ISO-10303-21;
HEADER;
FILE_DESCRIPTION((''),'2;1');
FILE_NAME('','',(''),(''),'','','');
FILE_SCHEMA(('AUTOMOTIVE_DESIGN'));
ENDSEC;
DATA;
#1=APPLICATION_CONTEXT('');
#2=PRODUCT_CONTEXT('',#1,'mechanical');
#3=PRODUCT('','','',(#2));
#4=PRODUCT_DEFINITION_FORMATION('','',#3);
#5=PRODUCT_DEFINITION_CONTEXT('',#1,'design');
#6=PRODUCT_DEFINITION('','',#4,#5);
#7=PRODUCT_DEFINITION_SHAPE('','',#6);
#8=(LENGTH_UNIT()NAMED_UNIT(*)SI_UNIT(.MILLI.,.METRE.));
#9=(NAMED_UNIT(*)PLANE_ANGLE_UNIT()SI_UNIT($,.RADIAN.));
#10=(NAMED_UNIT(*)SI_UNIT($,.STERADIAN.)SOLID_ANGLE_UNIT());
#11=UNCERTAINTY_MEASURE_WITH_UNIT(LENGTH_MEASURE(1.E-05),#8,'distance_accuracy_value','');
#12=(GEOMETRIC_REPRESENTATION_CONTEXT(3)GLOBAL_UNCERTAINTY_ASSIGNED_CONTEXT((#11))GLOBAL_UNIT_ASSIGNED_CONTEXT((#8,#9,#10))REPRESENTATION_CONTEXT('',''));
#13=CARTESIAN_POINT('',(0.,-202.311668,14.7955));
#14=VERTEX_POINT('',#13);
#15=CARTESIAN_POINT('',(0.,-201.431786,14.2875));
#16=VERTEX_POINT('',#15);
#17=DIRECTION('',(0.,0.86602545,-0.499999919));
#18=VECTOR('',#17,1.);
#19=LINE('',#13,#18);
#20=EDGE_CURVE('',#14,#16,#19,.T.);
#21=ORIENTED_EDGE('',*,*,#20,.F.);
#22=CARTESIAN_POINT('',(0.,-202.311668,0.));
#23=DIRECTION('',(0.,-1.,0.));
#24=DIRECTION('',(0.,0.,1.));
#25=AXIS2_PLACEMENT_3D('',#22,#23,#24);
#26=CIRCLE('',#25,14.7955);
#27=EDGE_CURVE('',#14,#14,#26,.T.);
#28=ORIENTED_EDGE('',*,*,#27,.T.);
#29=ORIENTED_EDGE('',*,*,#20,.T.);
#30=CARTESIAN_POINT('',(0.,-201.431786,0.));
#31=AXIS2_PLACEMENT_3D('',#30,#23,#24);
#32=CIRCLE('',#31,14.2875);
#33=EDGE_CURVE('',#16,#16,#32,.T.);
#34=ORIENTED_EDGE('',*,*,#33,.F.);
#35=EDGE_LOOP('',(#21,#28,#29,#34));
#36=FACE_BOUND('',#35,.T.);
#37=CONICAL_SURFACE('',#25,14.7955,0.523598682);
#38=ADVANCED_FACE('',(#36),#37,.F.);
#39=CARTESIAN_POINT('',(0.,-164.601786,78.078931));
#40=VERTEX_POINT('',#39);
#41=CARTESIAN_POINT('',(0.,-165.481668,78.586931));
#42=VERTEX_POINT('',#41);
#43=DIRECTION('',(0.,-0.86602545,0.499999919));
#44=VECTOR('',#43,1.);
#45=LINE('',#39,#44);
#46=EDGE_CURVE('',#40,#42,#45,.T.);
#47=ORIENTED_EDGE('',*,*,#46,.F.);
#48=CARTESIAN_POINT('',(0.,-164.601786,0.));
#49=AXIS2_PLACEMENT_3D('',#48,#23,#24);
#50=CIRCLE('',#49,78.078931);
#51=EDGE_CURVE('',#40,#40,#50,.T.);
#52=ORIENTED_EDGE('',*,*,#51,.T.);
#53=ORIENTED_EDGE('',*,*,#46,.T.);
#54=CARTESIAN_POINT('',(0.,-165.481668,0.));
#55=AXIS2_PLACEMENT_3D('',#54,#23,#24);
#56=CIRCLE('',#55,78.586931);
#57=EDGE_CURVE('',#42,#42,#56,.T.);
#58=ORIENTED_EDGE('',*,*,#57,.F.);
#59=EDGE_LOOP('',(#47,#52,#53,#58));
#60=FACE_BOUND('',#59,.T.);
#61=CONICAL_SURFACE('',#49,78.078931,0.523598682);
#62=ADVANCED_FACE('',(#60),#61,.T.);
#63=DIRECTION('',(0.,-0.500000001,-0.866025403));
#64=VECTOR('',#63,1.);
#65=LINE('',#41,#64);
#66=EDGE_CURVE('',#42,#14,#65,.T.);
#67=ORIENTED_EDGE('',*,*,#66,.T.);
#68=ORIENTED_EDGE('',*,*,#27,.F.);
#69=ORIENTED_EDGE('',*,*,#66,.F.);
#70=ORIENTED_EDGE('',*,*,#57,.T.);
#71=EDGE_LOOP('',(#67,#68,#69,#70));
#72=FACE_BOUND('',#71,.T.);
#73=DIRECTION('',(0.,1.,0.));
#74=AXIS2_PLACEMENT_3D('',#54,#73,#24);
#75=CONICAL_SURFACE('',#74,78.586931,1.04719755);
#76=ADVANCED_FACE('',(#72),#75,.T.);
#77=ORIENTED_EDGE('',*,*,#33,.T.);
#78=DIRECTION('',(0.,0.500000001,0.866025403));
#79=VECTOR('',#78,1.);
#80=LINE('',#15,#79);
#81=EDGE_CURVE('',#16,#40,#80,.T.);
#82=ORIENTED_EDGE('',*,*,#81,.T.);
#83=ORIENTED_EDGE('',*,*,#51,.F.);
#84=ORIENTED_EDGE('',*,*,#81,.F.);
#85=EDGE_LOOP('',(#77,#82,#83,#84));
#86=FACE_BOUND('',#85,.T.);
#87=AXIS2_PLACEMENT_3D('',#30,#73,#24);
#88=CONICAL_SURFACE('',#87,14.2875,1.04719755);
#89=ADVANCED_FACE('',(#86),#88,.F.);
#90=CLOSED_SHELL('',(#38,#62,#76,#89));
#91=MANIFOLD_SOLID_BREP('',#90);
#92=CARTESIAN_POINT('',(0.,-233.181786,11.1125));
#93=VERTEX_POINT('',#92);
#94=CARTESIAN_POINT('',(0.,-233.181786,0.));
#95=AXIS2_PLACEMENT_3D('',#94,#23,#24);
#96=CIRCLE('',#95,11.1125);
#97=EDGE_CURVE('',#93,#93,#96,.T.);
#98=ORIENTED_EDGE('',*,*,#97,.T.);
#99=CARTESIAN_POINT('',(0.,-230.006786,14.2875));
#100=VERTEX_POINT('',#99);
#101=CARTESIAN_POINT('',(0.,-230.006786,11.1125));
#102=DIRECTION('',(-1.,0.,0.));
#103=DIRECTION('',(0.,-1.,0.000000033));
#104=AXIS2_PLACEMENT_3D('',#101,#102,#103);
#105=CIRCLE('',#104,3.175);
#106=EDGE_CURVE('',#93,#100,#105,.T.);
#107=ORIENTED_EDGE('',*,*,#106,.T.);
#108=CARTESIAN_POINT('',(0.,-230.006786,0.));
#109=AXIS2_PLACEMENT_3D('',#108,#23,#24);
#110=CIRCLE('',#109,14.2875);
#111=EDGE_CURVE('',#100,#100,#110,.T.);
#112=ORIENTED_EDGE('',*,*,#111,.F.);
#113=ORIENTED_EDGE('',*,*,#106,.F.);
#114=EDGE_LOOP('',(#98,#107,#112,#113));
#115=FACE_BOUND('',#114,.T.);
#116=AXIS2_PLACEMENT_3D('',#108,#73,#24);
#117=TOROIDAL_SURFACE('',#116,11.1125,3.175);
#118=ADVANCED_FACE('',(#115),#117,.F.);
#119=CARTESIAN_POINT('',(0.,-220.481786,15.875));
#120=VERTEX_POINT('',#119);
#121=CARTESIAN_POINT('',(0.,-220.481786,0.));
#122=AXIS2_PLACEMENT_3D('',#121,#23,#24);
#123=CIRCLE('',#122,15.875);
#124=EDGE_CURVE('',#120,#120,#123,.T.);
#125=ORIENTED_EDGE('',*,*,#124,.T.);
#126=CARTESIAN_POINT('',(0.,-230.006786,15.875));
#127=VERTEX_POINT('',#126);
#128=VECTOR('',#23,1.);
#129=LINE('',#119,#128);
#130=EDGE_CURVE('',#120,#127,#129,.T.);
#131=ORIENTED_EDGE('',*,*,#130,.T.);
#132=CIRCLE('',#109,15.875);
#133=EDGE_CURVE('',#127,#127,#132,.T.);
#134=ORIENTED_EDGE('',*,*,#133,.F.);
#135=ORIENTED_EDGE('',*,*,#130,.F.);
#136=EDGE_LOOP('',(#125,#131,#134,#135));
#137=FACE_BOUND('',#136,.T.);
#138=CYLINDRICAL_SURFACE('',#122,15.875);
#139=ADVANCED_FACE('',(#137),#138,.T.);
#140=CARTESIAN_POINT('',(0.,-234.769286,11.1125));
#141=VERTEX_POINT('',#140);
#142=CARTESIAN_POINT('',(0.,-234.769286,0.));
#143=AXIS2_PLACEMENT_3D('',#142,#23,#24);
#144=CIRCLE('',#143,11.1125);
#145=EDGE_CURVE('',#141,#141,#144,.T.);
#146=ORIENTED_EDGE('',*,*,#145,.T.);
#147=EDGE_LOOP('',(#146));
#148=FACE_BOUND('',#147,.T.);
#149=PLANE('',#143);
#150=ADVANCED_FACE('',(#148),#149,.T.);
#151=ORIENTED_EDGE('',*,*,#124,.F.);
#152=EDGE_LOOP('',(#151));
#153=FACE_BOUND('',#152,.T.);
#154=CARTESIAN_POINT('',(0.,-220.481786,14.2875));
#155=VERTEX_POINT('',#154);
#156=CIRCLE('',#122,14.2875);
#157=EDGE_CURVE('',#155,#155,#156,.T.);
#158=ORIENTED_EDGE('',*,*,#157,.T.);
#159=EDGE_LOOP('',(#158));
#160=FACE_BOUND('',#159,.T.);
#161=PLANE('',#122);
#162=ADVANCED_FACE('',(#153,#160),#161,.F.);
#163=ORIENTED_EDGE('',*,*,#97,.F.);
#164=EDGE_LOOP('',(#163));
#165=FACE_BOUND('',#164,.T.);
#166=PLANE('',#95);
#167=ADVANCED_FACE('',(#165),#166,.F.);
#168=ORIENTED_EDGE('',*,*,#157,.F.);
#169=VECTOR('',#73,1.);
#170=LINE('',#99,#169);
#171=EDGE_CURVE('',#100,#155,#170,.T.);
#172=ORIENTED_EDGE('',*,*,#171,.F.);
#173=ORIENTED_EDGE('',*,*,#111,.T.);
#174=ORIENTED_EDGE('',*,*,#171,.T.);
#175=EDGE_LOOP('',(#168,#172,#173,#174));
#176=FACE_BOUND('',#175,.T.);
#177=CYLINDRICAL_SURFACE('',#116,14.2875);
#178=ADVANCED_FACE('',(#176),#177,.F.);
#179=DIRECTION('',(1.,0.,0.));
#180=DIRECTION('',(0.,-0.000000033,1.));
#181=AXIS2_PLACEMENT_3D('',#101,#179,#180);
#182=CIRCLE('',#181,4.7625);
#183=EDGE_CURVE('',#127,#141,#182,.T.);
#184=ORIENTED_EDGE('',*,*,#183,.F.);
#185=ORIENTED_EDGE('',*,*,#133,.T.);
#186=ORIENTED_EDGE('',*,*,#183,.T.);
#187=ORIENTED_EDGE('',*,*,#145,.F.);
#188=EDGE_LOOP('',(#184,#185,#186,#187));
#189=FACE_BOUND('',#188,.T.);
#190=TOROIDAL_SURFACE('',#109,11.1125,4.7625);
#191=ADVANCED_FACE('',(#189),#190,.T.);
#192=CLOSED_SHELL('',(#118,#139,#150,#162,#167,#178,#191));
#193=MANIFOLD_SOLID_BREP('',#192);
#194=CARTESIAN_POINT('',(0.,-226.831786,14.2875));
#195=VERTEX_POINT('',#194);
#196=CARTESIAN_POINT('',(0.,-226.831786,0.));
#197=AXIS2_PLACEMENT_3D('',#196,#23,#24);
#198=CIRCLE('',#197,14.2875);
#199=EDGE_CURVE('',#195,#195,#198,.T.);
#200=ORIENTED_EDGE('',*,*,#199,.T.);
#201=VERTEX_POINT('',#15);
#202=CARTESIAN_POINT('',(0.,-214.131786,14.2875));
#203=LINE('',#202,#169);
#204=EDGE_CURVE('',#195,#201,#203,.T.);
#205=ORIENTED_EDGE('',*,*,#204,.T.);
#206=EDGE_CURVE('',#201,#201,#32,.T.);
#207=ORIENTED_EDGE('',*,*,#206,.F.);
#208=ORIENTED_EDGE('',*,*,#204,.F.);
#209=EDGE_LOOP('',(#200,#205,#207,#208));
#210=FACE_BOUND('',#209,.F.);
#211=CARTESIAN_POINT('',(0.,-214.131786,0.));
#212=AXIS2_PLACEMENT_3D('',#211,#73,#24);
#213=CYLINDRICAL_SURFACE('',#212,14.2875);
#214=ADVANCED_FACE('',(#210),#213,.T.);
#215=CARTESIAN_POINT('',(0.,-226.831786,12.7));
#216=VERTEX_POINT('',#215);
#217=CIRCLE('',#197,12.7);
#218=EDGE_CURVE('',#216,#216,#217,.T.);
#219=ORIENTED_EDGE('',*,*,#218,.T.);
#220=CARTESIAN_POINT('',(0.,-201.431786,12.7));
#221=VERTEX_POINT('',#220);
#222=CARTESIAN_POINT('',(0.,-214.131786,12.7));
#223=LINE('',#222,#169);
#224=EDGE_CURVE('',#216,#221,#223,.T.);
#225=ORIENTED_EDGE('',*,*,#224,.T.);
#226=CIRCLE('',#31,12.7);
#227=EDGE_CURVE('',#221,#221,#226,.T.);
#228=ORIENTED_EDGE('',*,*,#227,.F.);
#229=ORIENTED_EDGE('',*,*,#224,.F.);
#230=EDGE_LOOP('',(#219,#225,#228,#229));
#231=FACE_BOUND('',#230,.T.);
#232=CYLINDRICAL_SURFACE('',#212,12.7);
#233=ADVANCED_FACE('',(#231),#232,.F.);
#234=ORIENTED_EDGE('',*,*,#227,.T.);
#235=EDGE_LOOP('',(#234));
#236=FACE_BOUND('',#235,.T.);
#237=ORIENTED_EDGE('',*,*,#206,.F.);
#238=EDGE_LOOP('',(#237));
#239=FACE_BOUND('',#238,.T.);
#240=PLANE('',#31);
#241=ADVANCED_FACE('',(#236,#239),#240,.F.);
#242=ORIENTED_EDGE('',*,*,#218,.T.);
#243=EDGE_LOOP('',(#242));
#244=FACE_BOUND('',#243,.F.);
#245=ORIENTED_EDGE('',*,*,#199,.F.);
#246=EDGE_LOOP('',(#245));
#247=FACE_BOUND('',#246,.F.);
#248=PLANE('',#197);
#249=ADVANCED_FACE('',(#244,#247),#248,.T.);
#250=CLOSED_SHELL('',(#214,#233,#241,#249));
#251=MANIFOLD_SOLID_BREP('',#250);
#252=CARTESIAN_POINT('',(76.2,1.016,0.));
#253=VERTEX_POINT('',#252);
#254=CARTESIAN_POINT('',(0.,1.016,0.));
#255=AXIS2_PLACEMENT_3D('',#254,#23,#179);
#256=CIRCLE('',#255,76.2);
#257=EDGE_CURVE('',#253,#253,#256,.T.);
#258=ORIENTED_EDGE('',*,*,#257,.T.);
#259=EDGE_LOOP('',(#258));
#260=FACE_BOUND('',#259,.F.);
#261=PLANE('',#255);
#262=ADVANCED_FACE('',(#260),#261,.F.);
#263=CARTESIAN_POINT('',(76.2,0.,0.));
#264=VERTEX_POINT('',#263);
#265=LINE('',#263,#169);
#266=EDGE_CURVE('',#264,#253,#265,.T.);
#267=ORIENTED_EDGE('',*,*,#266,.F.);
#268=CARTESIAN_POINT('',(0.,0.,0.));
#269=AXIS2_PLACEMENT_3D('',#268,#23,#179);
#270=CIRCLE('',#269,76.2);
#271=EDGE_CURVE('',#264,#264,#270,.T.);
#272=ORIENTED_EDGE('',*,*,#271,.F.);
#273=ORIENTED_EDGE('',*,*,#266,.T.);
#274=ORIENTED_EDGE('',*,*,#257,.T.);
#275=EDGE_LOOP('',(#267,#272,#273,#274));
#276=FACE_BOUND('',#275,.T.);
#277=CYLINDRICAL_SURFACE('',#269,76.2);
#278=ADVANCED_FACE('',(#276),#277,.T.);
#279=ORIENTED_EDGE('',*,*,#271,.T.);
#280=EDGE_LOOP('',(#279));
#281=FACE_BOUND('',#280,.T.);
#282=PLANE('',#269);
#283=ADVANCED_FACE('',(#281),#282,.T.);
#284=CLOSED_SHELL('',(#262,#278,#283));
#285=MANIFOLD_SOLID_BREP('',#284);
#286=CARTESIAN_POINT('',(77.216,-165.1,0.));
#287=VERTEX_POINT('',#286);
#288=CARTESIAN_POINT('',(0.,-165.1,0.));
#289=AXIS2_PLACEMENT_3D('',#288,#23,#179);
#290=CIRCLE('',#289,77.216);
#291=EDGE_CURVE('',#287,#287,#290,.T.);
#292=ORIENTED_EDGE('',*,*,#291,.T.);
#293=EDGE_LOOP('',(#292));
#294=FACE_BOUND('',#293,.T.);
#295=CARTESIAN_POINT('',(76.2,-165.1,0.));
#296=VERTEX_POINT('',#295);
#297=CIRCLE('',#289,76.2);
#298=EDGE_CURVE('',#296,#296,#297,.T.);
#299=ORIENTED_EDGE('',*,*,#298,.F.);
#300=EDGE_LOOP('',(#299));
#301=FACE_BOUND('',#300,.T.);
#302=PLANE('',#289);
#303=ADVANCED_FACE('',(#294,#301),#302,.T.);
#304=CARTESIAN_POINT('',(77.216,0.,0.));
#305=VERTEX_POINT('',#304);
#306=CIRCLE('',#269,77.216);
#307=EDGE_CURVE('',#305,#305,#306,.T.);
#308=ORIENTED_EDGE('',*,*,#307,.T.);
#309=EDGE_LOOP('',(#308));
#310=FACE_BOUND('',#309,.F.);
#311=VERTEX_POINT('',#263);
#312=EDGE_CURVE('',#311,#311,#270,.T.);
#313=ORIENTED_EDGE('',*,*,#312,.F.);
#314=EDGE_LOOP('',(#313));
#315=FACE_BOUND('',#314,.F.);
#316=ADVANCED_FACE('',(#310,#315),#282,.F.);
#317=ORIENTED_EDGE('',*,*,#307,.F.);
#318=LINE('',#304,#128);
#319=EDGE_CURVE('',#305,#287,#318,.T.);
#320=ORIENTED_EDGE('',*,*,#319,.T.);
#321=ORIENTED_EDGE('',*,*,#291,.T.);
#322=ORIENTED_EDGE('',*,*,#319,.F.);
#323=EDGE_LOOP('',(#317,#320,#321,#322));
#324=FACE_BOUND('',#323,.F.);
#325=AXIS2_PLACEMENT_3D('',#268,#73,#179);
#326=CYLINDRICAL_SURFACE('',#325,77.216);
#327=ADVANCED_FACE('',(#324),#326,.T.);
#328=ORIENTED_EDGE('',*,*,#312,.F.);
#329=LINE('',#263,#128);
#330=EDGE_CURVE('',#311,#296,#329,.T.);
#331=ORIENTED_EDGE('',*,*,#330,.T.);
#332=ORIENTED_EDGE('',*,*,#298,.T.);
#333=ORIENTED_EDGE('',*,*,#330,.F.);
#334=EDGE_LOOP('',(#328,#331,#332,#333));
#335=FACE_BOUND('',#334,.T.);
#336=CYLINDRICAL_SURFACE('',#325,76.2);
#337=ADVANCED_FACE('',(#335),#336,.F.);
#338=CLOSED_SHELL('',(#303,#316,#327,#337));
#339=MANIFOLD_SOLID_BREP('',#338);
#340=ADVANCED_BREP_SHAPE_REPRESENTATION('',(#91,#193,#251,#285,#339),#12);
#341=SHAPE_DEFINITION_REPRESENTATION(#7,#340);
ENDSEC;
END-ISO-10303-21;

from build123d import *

# Parameters (mm, degrees)
F0_R     = 77.216
F0_R_2   = 76.2
F1_DEPTH = 165.1
F2_DEPTH = 1.016
F5_W     = 25.4
F5_H     = 1.5875


with BuildPart() as f1:
    # F0 (on Front) → F1 (new body)
    with BuildSketch(Plane.XZ):
        Circle(F0_R)
        Circle(F0_R_2, mode=Mode.SUBTRACT)
    extrude(amount=F1_DEPTH)


with BuildPart() as f2:
    # F0 (on Front) → F2 (new body)
    with BuildSketch(Plane.XZ):
        Circle(F0_R_2)
    extrude(amount=-F2_DEPTH)


with BuildPart() as f4:
    # F3 (on Right) → F4 (revolve)
    with BuildSketch(Plane.YZ):
        Polygon((-201.431786, 14.2875), (-164.601786, 78.078931), (-165.481668, 78.586931), (-202.311668, 14.7955), align=None)
    revolve(axis=Axis((0, -97.843254, 0), (0, -1, 0)))


with BuildPart() as f6:
    # F5 (on Right) → F6 (revolve)
    with BuildSketch(Plane.YZ):
        with Locations((-214.131786, 13.49375)):
            Rectangle(F5_W, F5_H)
    revolve(axis=Axis((0, -128.725841, 0), (0, -1, 0)))


with BuildPart() as f8:
    # F7 (on Right) → F8 (revolve)
    with BuildSketch(Plane.YZ):
        with BuildLine():
            Line((-230.006786, 14.2875), (-220.481786, 14.2875))
            Line((-220.481786, 14.2875), (-220.481786, 15.875))
            Line((-220.481786, 15.875), (-230.006786, 15.875))
            ThreePointArc((-230.006786, 15.875), (-233.374382, 14.480096), (-234.769286, 11.1125))
            Line((-234.769286, 11.1125), (-234.769286, 0))
            Line((-234.769286, 0), (-233.181786, 0))
            Line((-233.181786, 0), (-233.181786, 11.1125))
            ThreePointArc((-233.181786, 11.1125), (-232.25185, 13.357564), (-230.006786, 14.2875))
        make_face()
    revolve(axis=Axis((0, -147.307113, 0), (0, -1, 0)))


solid = Compound([f1.part, f2.part, f4.part, f6.part, f8.part])
